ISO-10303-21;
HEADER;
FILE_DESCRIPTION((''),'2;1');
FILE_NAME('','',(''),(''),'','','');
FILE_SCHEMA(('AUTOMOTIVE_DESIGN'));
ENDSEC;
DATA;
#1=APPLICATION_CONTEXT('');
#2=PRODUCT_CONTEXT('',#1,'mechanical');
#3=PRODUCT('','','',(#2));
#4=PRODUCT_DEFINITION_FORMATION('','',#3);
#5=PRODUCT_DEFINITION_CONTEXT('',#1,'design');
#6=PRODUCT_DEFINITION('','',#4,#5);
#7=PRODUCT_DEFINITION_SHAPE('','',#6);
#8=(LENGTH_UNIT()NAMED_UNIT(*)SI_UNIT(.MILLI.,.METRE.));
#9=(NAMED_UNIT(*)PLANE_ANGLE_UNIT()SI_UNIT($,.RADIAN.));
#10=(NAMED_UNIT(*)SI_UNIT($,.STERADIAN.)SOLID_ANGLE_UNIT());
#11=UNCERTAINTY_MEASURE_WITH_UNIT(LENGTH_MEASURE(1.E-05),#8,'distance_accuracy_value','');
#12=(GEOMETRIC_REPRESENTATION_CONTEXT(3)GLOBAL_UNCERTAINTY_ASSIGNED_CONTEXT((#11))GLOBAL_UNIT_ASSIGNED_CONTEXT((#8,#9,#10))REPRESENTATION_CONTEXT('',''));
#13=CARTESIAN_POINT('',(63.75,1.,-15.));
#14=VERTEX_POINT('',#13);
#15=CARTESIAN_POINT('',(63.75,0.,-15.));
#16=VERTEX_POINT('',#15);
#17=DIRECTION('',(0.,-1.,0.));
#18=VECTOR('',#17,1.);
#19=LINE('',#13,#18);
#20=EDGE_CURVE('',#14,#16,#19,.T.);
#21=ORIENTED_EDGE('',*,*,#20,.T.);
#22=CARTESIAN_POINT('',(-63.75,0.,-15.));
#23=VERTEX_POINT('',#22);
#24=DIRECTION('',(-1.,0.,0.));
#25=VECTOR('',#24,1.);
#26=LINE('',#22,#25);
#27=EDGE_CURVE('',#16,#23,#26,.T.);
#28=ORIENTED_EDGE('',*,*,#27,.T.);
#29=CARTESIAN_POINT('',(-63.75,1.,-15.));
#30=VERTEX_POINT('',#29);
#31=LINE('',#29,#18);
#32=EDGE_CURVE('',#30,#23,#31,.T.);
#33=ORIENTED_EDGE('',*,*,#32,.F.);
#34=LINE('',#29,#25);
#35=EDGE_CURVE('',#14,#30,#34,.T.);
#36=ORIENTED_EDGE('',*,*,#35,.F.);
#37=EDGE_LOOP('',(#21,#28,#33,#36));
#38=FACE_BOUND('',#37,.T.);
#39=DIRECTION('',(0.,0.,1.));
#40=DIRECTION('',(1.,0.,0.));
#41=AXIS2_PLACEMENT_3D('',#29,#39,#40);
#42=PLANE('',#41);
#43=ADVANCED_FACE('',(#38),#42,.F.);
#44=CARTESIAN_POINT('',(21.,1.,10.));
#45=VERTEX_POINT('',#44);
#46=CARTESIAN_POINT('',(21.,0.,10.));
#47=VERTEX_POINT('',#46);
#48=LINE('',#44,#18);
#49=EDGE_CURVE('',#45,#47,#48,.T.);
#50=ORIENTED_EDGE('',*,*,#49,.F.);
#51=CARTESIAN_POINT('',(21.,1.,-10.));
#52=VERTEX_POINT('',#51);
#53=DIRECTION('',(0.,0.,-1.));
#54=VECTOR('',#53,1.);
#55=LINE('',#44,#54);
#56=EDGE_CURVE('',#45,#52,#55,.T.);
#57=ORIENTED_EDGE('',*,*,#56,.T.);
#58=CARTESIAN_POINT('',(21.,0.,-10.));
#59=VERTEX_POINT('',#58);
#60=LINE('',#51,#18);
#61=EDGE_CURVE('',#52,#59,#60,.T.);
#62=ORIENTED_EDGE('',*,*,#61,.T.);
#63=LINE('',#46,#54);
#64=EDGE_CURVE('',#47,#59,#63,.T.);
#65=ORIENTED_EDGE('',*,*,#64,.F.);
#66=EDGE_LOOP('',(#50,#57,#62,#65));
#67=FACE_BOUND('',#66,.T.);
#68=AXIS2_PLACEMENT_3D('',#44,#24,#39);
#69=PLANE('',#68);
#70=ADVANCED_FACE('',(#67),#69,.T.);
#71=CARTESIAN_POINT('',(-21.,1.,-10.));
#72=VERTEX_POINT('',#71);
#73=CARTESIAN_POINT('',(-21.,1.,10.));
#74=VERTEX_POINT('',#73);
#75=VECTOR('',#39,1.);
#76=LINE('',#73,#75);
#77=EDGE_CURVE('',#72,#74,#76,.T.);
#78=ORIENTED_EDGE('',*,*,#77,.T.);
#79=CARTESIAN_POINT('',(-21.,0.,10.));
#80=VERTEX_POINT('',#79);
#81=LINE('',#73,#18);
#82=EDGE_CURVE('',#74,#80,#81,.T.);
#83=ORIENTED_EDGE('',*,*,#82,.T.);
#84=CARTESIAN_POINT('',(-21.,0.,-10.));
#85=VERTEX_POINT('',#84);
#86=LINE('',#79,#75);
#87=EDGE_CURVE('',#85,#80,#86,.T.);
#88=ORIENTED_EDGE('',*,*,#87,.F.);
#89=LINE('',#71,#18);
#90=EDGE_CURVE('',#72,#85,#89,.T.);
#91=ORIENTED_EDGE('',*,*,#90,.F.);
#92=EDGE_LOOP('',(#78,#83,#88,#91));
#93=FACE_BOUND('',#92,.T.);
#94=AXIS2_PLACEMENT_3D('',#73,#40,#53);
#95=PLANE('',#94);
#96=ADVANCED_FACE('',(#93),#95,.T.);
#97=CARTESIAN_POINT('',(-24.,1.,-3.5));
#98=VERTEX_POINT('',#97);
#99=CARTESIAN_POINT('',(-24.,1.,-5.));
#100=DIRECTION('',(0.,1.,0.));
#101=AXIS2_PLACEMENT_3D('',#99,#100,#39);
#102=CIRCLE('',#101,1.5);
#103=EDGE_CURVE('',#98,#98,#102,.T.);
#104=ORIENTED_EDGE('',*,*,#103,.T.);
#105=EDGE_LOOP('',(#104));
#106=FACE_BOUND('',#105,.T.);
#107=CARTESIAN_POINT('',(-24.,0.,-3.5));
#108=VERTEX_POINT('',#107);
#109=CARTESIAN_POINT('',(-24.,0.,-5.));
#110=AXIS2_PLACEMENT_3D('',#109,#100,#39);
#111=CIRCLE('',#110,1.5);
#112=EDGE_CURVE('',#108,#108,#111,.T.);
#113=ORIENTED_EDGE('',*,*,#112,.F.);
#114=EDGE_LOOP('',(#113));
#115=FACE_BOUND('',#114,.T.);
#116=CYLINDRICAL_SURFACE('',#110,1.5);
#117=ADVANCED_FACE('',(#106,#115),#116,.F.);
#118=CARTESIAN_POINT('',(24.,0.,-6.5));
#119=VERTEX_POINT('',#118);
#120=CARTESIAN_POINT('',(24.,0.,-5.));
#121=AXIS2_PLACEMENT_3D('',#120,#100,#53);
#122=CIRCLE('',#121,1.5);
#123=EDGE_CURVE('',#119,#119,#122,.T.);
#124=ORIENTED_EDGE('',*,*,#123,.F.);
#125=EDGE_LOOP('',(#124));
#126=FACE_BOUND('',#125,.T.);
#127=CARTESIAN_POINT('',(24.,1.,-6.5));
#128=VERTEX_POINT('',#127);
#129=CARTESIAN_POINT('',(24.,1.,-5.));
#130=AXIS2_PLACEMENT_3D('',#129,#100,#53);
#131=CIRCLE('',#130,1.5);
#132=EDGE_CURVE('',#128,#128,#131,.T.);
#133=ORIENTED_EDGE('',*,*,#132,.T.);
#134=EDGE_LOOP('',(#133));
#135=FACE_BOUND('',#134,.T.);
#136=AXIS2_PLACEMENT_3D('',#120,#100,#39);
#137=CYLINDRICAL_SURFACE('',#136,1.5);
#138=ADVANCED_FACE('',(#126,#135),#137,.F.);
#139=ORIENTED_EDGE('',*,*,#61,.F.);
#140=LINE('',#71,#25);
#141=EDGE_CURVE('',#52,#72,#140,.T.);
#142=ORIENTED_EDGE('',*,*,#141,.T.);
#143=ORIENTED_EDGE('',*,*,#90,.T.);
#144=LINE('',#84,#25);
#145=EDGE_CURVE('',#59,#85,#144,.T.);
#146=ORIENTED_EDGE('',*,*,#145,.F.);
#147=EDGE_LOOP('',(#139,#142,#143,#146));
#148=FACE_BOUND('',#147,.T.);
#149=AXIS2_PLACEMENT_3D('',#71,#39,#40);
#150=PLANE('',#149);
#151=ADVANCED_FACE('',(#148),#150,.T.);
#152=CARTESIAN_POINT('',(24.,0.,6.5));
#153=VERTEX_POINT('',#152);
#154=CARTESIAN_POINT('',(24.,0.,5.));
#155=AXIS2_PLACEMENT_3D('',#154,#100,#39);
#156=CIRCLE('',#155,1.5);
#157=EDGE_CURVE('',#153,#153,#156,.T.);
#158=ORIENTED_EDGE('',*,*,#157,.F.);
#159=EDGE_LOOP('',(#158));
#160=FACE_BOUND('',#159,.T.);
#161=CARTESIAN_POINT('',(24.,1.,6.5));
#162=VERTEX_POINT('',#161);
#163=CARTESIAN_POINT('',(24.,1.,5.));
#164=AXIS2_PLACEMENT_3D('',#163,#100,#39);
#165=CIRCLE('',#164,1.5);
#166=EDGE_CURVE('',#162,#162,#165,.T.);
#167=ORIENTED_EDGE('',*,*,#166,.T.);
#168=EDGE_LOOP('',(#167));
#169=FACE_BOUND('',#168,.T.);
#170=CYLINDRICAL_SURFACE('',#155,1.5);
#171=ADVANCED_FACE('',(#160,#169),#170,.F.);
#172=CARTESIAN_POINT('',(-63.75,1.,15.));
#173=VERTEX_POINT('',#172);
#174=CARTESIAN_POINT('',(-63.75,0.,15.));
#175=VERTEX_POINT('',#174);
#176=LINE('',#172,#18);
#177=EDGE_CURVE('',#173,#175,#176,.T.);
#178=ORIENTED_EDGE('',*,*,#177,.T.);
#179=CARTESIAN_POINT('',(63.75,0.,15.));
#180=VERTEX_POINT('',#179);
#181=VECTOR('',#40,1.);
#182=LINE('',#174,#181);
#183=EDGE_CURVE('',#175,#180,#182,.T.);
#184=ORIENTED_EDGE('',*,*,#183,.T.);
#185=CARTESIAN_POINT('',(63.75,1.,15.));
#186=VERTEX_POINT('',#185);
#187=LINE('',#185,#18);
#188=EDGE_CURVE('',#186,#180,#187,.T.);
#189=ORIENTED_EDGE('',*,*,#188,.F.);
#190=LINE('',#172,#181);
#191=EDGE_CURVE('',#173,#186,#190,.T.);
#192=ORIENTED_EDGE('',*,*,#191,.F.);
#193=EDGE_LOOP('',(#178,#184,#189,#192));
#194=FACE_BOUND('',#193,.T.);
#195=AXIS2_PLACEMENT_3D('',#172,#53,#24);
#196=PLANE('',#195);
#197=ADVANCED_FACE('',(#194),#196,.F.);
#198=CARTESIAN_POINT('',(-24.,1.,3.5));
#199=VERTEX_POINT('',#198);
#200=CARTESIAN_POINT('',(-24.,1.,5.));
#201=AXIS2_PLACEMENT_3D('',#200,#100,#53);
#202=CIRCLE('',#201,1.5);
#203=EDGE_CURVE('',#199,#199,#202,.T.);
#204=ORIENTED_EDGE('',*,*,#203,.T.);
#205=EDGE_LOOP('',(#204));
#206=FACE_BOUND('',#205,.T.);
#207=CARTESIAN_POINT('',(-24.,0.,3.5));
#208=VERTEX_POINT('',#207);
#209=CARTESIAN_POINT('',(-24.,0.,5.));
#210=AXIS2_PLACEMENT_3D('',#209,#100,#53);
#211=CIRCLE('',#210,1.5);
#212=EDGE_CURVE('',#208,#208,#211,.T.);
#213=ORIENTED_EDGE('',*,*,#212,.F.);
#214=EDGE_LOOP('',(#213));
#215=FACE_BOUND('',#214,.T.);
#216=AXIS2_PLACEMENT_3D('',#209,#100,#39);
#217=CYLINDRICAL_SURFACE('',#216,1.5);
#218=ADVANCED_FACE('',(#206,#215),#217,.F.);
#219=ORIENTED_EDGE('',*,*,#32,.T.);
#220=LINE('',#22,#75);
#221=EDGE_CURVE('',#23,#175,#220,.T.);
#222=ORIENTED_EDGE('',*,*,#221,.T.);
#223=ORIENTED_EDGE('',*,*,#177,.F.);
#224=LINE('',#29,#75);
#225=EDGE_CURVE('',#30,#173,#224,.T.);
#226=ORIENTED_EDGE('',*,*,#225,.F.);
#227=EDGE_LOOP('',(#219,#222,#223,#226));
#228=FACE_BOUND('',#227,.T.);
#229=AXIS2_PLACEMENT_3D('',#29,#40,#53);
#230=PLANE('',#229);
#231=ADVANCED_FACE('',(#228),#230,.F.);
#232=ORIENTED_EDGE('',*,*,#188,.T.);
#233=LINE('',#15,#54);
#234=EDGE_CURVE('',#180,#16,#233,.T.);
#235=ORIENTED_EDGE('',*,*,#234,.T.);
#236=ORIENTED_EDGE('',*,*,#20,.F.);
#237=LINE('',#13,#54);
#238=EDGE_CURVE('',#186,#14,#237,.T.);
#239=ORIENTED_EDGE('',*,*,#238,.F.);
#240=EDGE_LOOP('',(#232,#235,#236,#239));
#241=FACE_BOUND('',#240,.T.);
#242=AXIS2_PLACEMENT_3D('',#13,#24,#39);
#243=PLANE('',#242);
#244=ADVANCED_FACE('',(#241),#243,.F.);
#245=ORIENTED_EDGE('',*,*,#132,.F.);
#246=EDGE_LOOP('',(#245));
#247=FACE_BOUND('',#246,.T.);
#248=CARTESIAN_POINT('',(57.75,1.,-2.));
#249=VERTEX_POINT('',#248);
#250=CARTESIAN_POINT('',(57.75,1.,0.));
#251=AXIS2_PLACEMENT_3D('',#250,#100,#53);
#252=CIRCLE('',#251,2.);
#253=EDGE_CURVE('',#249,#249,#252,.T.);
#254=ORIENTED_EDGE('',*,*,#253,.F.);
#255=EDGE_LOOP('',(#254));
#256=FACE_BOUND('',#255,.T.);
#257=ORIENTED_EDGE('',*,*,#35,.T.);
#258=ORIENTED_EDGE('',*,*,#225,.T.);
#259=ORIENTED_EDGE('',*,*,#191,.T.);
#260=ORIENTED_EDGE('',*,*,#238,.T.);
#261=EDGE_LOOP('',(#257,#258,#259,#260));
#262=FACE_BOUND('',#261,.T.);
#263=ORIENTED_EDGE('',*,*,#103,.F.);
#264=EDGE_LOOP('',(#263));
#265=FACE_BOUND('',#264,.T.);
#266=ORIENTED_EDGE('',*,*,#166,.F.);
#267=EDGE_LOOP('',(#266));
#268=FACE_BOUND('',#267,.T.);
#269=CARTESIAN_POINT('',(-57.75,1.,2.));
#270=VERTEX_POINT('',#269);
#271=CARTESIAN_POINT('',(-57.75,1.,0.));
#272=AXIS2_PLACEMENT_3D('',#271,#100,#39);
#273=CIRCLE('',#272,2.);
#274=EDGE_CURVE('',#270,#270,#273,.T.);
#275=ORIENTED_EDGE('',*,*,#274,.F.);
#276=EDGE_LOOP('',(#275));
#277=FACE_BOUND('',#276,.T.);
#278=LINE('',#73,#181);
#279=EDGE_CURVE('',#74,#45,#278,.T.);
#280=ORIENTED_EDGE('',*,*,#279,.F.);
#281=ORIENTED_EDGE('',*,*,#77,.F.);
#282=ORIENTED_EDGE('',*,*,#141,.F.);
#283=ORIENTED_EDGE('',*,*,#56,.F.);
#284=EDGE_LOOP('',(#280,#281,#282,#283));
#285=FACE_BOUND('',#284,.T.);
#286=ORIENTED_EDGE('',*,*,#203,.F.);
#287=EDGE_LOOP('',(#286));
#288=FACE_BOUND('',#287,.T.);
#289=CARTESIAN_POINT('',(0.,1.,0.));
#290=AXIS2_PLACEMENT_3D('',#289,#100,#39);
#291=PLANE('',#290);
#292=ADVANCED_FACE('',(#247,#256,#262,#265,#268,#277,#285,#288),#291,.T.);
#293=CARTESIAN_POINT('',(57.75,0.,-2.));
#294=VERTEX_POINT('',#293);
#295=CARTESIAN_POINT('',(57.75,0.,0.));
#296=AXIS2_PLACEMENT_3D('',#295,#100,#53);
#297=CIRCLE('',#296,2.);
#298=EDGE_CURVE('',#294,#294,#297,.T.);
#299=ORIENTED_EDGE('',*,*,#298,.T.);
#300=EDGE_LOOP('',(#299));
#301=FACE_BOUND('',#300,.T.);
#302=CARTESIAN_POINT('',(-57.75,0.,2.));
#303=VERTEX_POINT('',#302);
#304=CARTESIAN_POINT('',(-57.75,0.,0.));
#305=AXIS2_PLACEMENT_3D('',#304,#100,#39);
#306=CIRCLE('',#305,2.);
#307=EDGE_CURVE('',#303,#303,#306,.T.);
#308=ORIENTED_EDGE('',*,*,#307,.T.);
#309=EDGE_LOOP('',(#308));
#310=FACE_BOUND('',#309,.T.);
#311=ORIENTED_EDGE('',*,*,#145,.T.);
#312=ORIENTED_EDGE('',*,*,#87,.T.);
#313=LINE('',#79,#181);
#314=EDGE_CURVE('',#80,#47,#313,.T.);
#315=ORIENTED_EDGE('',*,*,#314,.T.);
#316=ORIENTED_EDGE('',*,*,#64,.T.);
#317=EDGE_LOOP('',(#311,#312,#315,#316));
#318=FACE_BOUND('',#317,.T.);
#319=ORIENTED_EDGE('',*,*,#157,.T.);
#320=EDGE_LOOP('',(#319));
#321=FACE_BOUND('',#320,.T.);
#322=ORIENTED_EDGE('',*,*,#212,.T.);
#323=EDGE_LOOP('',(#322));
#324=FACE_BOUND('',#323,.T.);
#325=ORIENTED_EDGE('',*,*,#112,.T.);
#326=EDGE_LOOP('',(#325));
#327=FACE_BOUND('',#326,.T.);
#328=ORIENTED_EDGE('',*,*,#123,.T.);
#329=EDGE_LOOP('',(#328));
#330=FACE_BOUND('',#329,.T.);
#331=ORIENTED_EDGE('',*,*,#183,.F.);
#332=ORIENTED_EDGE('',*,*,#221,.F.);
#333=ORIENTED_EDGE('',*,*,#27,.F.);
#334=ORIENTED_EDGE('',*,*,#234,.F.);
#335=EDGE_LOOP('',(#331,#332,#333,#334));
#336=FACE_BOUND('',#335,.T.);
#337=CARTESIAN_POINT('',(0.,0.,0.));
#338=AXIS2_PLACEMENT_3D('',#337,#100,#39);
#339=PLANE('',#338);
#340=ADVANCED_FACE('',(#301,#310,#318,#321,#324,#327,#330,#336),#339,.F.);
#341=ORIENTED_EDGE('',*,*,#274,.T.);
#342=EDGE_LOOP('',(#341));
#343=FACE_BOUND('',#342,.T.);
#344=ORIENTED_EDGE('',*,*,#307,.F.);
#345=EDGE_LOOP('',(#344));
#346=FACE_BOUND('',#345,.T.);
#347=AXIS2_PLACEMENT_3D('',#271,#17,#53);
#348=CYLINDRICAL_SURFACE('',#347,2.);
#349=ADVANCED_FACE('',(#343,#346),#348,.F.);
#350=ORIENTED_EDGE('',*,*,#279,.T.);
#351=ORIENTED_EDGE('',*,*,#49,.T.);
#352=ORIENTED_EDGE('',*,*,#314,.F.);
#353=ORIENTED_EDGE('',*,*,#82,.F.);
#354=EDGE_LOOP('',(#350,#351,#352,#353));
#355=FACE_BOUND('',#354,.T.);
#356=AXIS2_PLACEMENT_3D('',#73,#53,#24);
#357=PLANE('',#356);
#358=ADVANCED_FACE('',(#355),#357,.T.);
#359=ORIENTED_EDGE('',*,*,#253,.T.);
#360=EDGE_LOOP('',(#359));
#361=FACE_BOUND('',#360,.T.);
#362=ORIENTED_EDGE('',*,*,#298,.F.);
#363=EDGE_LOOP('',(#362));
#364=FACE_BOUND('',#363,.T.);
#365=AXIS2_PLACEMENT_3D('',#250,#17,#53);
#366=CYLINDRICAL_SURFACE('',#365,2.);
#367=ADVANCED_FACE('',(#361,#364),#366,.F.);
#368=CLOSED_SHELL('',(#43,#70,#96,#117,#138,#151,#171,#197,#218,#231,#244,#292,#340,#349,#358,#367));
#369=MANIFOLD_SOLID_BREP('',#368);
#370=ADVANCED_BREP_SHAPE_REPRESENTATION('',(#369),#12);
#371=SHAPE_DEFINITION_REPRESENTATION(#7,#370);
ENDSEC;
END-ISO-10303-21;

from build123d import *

# Parameters (mm, degrees)
SKETCH1_W           = 127.5
SKETCH1_H           = 30
SKETCH1_R           = 2
SKETCH1_W_2         = 42
SKETCH1_H_2         = 20
BOSS_EXTRUDE1_DEPTH = 1
SKETCH2_R           = 1.5
CUT_EXTRUDE1_DEPTH  = 66.498568687


with BuildPart() as part:
    # Sketch1 → Boss-Extrude1 (new body)
    with BuildSketch(Plane(origin=(0, 0, 0), x_dir=(1, 0, 0), z_dir=(0, 1, 0))):
        Rectangle(SKETCH1_W, SKETCH1_H)
        with Locations(Location((-57.75, 0, 0), (0, 0, 270))):
            Circle(SKETCH1_R, mode=Mode.SUBTRACT)
        with Locations(Location((57.75, 0, 0), (0, 0, 90))):
            Circle(SKETCH1_R, mode=Mode.SUBTRACT)
        Rectangle(SKETCH1_W_2, SKETCH1_H_2, mode=Mode.SUBTRACT)
    extrude(amount=BOSS_EXTRUDE1_DEPTH)

    # Sketch2 → Cut-Extrude1 (cut, through all)
    with BuildSketch(Plane(origin=(0, 1, 0), x_dir=(1, 0, 0), z_dir=(0, 1, 0))):
        with Locations(Location((-24, 5, 0), (0, 0, 270))):
            Circle(SKETCH2_R)
        with Locations(Location((-24, -5, 0), (0, 0, 90))):
            Circle(SKETCH2_R)
        with Locations(Location((24, -5, 0), (0, 0, 270))):
            Circle(SKETCH2_R)
        with Locations(Location((24, 5, 0), (0, 0, 90))):
            Circle(SKETCH2_R)
    extrude(amount=-CUT_EXTRUDE1_DEPTH, mode=Mode.SUBTRACT)


solid = part.part
